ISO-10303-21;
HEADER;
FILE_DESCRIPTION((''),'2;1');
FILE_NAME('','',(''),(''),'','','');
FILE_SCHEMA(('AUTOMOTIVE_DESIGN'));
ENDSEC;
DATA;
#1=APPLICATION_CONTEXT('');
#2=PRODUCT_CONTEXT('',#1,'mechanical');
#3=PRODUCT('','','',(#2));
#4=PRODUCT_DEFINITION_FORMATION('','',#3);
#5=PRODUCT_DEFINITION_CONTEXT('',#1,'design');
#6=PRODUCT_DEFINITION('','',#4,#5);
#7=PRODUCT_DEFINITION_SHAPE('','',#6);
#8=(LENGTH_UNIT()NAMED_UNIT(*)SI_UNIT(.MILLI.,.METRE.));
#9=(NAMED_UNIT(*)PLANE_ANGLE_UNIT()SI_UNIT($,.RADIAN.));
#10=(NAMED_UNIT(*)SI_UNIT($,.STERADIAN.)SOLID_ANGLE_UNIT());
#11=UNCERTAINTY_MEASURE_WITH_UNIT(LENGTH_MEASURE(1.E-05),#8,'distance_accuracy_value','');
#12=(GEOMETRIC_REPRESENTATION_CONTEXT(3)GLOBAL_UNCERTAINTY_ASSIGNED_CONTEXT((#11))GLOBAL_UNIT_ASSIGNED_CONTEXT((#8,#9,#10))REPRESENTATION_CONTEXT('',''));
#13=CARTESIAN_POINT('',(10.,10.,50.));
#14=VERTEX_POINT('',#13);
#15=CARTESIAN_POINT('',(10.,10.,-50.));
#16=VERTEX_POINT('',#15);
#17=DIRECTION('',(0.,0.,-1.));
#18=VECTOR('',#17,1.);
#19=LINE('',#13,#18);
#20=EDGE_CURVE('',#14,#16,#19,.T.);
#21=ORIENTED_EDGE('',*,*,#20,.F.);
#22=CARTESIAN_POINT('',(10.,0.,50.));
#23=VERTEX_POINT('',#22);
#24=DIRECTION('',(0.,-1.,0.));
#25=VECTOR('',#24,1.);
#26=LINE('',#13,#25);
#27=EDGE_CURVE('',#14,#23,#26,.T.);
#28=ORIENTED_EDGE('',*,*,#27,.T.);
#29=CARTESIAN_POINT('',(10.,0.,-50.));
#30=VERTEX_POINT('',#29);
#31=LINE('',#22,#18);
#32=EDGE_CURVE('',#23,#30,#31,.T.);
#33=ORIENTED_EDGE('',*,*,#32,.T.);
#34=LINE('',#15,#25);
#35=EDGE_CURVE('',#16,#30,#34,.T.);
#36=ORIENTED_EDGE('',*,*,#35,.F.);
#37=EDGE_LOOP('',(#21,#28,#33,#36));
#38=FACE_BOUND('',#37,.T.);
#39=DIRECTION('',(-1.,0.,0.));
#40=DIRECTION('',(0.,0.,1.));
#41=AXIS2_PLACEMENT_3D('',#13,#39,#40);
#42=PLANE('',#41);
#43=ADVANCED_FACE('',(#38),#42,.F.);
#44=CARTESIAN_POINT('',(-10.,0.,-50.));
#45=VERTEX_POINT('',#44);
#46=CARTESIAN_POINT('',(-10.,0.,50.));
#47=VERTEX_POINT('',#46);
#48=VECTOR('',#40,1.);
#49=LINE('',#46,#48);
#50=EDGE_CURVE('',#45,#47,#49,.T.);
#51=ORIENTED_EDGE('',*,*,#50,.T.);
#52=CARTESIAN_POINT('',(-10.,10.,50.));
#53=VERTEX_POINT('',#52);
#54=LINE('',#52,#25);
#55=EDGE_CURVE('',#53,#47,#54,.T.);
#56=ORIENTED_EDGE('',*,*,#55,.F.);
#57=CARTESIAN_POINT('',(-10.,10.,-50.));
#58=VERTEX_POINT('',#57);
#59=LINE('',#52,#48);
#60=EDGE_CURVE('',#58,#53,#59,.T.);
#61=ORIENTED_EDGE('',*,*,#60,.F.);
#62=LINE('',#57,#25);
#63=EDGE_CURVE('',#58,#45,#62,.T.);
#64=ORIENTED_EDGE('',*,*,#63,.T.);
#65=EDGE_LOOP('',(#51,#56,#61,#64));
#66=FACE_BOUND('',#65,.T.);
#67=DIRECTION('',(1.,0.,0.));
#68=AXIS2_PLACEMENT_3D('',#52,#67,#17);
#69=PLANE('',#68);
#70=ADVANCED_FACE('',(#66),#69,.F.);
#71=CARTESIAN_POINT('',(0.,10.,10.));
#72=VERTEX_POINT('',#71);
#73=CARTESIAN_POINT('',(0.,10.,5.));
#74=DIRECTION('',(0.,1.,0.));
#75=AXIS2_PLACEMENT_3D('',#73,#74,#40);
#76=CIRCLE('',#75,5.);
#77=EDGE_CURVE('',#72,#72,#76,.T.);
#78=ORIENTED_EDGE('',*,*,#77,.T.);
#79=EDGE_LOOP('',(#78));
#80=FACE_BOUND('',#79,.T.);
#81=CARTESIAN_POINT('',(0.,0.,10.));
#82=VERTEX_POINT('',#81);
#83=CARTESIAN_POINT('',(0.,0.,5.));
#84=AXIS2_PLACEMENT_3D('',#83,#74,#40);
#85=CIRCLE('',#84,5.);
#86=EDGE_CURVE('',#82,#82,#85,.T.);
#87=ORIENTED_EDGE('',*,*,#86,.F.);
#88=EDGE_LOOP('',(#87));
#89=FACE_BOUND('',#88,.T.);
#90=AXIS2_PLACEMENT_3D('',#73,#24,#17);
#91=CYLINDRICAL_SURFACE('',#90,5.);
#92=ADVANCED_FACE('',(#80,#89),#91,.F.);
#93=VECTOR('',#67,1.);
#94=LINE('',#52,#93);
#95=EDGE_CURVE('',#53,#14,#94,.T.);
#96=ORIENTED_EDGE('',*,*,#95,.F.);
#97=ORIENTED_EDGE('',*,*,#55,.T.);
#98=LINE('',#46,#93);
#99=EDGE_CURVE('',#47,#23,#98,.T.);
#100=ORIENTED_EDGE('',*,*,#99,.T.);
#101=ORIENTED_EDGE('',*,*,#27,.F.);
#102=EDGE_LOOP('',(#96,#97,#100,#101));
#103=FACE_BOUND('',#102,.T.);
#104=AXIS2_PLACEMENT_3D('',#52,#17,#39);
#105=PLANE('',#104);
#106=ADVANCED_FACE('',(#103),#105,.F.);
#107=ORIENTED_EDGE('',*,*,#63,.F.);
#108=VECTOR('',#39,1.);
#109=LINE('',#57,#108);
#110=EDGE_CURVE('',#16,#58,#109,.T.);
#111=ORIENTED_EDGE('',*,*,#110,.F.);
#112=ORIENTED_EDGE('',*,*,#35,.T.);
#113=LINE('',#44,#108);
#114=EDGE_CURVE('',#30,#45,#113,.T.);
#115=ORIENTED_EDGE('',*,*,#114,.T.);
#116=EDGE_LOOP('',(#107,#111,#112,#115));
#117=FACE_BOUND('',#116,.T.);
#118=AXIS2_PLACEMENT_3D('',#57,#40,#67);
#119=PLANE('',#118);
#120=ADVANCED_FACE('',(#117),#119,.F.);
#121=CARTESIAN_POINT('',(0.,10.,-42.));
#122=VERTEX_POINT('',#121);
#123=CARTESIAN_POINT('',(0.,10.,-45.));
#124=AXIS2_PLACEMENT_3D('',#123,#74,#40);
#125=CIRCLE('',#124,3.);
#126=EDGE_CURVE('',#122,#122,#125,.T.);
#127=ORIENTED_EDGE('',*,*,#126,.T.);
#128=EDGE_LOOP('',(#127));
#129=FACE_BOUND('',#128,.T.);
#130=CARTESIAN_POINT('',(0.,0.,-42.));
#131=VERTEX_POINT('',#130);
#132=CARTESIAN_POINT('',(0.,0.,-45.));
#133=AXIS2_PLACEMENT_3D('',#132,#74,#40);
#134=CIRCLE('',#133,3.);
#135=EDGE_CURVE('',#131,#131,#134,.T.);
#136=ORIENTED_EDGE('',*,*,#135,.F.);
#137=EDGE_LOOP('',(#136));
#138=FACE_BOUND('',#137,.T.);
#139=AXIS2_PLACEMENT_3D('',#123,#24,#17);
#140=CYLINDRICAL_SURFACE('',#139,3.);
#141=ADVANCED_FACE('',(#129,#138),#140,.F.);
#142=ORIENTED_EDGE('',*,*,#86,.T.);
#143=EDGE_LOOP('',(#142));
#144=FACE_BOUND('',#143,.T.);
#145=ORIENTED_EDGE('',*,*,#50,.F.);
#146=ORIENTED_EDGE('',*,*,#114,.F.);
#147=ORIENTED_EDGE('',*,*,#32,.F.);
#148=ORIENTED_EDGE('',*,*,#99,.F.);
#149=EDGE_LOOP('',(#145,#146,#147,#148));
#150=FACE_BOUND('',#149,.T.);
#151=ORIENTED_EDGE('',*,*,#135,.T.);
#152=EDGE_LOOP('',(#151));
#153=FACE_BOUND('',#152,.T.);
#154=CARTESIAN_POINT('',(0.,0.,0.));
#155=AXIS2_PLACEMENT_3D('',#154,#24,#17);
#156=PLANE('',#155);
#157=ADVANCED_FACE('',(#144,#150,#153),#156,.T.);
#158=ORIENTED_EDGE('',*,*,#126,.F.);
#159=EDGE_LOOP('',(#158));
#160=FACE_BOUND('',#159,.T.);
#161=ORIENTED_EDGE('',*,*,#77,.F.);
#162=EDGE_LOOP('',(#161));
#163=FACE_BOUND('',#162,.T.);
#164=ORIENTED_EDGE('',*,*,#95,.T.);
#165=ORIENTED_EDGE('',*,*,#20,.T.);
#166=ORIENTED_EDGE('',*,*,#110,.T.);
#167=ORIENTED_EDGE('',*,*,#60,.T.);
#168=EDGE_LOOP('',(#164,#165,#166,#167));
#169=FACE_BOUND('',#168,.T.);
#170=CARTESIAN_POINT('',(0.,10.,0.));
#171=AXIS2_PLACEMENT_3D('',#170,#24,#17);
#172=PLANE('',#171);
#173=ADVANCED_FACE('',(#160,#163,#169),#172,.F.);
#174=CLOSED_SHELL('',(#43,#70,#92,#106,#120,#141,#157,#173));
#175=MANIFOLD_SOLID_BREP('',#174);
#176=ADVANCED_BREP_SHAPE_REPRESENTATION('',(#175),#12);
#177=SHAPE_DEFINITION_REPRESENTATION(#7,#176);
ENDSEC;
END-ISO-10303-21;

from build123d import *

# Parameters (mm, degrees)
SKETCH1_W           = 20
SKETCH1_H           = 100
SKETCH1_R           = 3
SKETCH1_R_2         = 5
BOSS_EXTRUDE1_DEPTH = 10


with BuildPart() as part:
    # Sketch1 → Boss-Extrude1 (new body)
    with BuildSketch(Plane(origin=(0, 0, 0), x_dir=(1, 0, 0), z_dir=(0, 1, 0))):
        Rectangle(SKETCH1_W, SKETCH1_H)
        with Locations(Location((0, 45, 0), (0, 0, 270))):
            Circle(SKETCH1_R, mode=Mode.SUBTRACT)
        with Locations(Location((0, -5, 0), (0, 0, 270))):
            Circle(SKETCH1_R_2, mode=Mode.SUBTRACT)
    extrude(amount=BOSS_EXTRUDE1_DEPTH)


solid = part.part
